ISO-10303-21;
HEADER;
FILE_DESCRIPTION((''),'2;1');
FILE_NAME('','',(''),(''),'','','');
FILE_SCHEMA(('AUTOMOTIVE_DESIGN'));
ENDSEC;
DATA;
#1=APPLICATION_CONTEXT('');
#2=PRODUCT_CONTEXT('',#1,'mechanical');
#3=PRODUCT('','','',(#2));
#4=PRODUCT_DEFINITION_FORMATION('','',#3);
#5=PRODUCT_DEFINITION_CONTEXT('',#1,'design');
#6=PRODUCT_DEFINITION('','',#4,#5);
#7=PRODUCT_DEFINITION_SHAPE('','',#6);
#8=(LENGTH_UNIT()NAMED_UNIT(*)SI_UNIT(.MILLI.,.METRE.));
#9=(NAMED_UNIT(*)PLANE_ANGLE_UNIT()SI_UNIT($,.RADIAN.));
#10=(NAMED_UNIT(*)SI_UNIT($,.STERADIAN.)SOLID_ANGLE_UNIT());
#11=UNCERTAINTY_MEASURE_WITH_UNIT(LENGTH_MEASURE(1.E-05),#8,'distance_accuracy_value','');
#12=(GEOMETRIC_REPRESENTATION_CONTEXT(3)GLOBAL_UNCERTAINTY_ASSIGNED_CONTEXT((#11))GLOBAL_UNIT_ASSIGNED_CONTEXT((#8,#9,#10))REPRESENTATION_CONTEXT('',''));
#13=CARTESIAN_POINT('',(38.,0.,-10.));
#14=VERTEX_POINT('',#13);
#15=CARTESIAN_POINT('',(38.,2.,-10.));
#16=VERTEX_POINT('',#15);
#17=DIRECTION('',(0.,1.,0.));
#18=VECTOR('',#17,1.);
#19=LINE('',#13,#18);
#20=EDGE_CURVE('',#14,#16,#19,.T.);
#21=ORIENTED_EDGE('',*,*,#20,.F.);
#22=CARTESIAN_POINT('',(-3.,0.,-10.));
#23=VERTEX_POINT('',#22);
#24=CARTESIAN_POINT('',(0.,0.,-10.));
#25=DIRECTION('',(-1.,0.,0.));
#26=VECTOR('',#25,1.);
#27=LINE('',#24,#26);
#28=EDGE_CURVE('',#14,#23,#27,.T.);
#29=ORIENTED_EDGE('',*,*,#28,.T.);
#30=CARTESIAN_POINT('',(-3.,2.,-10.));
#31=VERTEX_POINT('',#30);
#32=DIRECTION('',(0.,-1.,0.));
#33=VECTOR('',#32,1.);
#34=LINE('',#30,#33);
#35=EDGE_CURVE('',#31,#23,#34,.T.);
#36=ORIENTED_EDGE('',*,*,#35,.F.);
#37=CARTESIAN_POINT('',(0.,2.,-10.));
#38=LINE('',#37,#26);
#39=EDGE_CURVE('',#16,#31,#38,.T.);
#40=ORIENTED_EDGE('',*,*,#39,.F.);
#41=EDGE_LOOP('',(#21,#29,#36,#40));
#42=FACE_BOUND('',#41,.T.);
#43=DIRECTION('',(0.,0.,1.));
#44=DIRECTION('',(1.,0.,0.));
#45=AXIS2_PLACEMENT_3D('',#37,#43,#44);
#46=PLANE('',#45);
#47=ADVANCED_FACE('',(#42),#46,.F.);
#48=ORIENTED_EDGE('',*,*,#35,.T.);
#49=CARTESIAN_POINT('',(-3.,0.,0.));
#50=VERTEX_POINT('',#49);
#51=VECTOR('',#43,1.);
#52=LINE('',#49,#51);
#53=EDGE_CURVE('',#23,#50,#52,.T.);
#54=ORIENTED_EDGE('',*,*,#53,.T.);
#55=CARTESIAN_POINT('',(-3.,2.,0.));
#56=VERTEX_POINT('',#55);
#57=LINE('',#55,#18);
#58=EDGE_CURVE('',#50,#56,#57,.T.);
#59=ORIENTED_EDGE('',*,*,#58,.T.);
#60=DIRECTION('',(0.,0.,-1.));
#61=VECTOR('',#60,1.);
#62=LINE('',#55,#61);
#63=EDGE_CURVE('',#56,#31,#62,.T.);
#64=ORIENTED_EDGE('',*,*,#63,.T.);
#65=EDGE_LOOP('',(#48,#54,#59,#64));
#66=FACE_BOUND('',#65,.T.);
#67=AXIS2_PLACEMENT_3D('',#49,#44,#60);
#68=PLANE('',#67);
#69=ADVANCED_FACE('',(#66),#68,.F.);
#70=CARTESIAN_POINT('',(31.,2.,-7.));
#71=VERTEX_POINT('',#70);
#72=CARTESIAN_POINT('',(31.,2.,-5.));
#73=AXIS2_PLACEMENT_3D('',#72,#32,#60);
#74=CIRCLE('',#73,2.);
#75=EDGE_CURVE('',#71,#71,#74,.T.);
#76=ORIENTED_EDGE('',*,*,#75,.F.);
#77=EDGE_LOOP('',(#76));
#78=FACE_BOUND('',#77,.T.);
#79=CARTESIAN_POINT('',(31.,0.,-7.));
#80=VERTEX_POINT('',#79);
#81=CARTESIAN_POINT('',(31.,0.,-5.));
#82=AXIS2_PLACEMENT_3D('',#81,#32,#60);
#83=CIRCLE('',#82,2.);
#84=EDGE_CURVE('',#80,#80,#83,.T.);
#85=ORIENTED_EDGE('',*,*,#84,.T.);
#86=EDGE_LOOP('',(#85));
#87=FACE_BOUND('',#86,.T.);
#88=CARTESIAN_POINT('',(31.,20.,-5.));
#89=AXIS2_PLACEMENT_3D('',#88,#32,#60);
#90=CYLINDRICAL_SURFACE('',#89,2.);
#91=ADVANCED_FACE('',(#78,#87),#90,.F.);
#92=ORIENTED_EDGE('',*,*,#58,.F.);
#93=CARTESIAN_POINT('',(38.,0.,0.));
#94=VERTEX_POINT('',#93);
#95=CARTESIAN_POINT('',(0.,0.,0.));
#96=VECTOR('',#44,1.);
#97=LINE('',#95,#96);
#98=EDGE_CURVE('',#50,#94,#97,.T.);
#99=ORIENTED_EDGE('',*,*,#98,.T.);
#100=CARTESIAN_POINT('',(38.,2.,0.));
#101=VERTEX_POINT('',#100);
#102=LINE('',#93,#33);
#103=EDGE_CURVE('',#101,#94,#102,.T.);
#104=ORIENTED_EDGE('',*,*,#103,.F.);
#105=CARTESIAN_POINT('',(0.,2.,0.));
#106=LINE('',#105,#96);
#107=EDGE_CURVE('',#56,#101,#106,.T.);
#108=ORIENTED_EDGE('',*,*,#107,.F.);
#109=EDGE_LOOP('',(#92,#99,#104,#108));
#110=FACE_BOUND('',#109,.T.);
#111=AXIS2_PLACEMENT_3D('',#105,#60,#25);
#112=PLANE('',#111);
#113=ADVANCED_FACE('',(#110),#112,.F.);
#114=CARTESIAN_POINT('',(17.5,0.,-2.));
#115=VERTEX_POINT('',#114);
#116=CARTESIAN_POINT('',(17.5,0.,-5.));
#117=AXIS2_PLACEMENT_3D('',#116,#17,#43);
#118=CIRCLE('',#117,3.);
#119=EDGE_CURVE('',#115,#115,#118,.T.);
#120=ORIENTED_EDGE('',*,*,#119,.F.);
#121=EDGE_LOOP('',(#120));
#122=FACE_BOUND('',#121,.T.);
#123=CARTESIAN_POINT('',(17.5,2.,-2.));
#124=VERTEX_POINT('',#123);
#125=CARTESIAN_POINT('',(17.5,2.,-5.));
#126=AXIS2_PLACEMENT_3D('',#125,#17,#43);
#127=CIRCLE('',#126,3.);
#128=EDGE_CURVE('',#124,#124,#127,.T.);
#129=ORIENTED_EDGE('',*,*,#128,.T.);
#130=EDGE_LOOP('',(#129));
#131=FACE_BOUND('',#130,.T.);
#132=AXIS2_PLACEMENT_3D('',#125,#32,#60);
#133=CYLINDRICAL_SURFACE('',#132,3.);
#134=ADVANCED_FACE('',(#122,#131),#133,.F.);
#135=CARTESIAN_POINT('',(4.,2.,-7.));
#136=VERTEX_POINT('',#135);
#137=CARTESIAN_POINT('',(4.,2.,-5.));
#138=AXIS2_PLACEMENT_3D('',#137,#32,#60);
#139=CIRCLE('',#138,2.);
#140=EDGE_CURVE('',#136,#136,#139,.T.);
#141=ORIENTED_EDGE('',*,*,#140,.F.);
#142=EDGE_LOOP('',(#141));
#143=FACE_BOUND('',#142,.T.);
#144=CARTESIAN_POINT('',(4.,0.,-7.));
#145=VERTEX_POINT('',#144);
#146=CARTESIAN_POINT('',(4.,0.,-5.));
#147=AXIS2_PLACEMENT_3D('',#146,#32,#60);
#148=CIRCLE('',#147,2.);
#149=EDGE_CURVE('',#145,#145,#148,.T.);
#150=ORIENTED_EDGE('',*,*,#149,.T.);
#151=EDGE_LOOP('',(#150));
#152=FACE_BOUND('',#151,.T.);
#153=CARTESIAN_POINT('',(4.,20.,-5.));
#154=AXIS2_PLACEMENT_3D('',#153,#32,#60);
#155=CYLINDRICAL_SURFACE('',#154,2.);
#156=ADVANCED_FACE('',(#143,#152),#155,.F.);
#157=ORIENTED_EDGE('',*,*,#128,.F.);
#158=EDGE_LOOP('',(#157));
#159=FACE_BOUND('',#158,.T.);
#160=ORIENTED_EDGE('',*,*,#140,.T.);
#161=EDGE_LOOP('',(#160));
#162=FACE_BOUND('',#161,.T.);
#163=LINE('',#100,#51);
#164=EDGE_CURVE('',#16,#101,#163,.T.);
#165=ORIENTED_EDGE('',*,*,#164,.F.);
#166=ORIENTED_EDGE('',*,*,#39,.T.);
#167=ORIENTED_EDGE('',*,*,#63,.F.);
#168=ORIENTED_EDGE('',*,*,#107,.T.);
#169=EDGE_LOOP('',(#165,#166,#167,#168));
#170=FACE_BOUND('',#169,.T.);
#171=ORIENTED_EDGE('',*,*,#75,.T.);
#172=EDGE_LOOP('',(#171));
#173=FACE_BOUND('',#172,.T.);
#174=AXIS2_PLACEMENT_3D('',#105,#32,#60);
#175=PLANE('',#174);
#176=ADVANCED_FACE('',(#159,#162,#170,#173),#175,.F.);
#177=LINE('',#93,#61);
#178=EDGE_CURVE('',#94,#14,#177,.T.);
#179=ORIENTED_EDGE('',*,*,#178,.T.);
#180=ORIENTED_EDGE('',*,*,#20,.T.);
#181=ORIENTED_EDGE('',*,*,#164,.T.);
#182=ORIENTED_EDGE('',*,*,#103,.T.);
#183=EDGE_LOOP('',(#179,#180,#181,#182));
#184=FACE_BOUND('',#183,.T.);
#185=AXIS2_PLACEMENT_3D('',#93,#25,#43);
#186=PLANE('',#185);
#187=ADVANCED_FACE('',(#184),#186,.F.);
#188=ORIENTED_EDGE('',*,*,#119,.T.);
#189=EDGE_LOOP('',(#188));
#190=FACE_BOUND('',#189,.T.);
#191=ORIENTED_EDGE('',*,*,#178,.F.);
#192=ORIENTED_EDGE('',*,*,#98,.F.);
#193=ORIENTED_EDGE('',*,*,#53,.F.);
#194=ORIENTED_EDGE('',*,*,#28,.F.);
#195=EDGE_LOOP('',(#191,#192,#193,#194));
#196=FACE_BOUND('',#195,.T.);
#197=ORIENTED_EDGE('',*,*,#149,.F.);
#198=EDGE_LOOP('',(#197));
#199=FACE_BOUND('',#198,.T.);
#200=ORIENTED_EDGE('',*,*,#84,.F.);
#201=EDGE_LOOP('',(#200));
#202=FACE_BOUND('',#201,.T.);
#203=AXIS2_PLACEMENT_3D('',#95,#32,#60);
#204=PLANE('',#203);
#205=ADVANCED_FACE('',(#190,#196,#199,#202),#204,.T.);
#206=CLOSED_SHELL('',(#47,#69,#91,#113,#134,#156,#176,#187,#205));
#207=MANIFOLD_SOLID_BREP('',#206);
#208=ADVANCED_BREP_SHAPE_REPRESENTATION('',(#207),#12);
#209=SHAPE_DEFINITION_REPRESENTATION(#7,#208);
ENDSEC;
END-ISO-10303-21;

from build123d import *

# Parameters (mm, degrees)
SKETCH1_W           = 35
SKETCH1_H           = 10
SKETCH1_R           = 3
BOSS_EXTRUDE1_DEPTH = 2
SKETCH4_R           = 2
CUT_EXTRUDE2_DEPTH  = 20
SKETCH5_W           = 10
SKETCH5_H           = 2
BOSS_EXTRUDE3_DEPTH = 3
SKETCH6_W           = 10
SKETCH6_H           = 2
BOSS_EXTRUDE4_DEPTH = 3


with BuildPart() as part:
    # Sketch1 → Boss-Extrude1 (new body)
    with BuildSketch(Plane(origin=(0, 0, 0), x_dir=(1, 0, 0), z_dir=(0, 1, 0))):
        with Locations((17.5, 5)):
            Rectangle(SKETCH1_W, SKETCH1_H)
        with Locations(Location((17.5, 5, 0), (0, 0, 270))):
            Circle(SKETCH1_R, mode=Mode.SUBTRACT)
    extrude(amount=BOSS_EXTRUDE1_DEPTH)

    # Sketch4 → Cut-Extrude2 (cut)
    with BuildSketch(Plane.XZ):
        with Locations(Location((4, -5, 0), (0, 0, 270))):
            Circle(SKETCH4_R)
        with Locations(Location((31, -5, 0), (0, 0, 270))):
            Circle(SKETCH4_R)
    extrude(amount=-CUT_EXTRUDE2_DEPTH, mode=Mode.SUBTRACT)

    # Sketch5 → Boss-Extrude3 (add)
    with BuildSketch(Plane.ZY):
        with Locations((-5, 1)):
            Rectangle(SKETCH5_W, SKETCH5_H)
    extrude(amount=BOSS_EXTRUDE3_DEPTH)

    # Sketch6 → Boss-Extrude4 (add)
    with BuildSketch(Plane(origin=(35, 0, 0), x_dir=(0, 0, -1), z_dir=(1, 0, 0))):
        with Locations((5, 1)):
            Rectangle(SKETCH6_W, SKETCH6_H)
    extrude(amount=BOSS_EXTRUDE4_DEPTH)


solid = part.part
